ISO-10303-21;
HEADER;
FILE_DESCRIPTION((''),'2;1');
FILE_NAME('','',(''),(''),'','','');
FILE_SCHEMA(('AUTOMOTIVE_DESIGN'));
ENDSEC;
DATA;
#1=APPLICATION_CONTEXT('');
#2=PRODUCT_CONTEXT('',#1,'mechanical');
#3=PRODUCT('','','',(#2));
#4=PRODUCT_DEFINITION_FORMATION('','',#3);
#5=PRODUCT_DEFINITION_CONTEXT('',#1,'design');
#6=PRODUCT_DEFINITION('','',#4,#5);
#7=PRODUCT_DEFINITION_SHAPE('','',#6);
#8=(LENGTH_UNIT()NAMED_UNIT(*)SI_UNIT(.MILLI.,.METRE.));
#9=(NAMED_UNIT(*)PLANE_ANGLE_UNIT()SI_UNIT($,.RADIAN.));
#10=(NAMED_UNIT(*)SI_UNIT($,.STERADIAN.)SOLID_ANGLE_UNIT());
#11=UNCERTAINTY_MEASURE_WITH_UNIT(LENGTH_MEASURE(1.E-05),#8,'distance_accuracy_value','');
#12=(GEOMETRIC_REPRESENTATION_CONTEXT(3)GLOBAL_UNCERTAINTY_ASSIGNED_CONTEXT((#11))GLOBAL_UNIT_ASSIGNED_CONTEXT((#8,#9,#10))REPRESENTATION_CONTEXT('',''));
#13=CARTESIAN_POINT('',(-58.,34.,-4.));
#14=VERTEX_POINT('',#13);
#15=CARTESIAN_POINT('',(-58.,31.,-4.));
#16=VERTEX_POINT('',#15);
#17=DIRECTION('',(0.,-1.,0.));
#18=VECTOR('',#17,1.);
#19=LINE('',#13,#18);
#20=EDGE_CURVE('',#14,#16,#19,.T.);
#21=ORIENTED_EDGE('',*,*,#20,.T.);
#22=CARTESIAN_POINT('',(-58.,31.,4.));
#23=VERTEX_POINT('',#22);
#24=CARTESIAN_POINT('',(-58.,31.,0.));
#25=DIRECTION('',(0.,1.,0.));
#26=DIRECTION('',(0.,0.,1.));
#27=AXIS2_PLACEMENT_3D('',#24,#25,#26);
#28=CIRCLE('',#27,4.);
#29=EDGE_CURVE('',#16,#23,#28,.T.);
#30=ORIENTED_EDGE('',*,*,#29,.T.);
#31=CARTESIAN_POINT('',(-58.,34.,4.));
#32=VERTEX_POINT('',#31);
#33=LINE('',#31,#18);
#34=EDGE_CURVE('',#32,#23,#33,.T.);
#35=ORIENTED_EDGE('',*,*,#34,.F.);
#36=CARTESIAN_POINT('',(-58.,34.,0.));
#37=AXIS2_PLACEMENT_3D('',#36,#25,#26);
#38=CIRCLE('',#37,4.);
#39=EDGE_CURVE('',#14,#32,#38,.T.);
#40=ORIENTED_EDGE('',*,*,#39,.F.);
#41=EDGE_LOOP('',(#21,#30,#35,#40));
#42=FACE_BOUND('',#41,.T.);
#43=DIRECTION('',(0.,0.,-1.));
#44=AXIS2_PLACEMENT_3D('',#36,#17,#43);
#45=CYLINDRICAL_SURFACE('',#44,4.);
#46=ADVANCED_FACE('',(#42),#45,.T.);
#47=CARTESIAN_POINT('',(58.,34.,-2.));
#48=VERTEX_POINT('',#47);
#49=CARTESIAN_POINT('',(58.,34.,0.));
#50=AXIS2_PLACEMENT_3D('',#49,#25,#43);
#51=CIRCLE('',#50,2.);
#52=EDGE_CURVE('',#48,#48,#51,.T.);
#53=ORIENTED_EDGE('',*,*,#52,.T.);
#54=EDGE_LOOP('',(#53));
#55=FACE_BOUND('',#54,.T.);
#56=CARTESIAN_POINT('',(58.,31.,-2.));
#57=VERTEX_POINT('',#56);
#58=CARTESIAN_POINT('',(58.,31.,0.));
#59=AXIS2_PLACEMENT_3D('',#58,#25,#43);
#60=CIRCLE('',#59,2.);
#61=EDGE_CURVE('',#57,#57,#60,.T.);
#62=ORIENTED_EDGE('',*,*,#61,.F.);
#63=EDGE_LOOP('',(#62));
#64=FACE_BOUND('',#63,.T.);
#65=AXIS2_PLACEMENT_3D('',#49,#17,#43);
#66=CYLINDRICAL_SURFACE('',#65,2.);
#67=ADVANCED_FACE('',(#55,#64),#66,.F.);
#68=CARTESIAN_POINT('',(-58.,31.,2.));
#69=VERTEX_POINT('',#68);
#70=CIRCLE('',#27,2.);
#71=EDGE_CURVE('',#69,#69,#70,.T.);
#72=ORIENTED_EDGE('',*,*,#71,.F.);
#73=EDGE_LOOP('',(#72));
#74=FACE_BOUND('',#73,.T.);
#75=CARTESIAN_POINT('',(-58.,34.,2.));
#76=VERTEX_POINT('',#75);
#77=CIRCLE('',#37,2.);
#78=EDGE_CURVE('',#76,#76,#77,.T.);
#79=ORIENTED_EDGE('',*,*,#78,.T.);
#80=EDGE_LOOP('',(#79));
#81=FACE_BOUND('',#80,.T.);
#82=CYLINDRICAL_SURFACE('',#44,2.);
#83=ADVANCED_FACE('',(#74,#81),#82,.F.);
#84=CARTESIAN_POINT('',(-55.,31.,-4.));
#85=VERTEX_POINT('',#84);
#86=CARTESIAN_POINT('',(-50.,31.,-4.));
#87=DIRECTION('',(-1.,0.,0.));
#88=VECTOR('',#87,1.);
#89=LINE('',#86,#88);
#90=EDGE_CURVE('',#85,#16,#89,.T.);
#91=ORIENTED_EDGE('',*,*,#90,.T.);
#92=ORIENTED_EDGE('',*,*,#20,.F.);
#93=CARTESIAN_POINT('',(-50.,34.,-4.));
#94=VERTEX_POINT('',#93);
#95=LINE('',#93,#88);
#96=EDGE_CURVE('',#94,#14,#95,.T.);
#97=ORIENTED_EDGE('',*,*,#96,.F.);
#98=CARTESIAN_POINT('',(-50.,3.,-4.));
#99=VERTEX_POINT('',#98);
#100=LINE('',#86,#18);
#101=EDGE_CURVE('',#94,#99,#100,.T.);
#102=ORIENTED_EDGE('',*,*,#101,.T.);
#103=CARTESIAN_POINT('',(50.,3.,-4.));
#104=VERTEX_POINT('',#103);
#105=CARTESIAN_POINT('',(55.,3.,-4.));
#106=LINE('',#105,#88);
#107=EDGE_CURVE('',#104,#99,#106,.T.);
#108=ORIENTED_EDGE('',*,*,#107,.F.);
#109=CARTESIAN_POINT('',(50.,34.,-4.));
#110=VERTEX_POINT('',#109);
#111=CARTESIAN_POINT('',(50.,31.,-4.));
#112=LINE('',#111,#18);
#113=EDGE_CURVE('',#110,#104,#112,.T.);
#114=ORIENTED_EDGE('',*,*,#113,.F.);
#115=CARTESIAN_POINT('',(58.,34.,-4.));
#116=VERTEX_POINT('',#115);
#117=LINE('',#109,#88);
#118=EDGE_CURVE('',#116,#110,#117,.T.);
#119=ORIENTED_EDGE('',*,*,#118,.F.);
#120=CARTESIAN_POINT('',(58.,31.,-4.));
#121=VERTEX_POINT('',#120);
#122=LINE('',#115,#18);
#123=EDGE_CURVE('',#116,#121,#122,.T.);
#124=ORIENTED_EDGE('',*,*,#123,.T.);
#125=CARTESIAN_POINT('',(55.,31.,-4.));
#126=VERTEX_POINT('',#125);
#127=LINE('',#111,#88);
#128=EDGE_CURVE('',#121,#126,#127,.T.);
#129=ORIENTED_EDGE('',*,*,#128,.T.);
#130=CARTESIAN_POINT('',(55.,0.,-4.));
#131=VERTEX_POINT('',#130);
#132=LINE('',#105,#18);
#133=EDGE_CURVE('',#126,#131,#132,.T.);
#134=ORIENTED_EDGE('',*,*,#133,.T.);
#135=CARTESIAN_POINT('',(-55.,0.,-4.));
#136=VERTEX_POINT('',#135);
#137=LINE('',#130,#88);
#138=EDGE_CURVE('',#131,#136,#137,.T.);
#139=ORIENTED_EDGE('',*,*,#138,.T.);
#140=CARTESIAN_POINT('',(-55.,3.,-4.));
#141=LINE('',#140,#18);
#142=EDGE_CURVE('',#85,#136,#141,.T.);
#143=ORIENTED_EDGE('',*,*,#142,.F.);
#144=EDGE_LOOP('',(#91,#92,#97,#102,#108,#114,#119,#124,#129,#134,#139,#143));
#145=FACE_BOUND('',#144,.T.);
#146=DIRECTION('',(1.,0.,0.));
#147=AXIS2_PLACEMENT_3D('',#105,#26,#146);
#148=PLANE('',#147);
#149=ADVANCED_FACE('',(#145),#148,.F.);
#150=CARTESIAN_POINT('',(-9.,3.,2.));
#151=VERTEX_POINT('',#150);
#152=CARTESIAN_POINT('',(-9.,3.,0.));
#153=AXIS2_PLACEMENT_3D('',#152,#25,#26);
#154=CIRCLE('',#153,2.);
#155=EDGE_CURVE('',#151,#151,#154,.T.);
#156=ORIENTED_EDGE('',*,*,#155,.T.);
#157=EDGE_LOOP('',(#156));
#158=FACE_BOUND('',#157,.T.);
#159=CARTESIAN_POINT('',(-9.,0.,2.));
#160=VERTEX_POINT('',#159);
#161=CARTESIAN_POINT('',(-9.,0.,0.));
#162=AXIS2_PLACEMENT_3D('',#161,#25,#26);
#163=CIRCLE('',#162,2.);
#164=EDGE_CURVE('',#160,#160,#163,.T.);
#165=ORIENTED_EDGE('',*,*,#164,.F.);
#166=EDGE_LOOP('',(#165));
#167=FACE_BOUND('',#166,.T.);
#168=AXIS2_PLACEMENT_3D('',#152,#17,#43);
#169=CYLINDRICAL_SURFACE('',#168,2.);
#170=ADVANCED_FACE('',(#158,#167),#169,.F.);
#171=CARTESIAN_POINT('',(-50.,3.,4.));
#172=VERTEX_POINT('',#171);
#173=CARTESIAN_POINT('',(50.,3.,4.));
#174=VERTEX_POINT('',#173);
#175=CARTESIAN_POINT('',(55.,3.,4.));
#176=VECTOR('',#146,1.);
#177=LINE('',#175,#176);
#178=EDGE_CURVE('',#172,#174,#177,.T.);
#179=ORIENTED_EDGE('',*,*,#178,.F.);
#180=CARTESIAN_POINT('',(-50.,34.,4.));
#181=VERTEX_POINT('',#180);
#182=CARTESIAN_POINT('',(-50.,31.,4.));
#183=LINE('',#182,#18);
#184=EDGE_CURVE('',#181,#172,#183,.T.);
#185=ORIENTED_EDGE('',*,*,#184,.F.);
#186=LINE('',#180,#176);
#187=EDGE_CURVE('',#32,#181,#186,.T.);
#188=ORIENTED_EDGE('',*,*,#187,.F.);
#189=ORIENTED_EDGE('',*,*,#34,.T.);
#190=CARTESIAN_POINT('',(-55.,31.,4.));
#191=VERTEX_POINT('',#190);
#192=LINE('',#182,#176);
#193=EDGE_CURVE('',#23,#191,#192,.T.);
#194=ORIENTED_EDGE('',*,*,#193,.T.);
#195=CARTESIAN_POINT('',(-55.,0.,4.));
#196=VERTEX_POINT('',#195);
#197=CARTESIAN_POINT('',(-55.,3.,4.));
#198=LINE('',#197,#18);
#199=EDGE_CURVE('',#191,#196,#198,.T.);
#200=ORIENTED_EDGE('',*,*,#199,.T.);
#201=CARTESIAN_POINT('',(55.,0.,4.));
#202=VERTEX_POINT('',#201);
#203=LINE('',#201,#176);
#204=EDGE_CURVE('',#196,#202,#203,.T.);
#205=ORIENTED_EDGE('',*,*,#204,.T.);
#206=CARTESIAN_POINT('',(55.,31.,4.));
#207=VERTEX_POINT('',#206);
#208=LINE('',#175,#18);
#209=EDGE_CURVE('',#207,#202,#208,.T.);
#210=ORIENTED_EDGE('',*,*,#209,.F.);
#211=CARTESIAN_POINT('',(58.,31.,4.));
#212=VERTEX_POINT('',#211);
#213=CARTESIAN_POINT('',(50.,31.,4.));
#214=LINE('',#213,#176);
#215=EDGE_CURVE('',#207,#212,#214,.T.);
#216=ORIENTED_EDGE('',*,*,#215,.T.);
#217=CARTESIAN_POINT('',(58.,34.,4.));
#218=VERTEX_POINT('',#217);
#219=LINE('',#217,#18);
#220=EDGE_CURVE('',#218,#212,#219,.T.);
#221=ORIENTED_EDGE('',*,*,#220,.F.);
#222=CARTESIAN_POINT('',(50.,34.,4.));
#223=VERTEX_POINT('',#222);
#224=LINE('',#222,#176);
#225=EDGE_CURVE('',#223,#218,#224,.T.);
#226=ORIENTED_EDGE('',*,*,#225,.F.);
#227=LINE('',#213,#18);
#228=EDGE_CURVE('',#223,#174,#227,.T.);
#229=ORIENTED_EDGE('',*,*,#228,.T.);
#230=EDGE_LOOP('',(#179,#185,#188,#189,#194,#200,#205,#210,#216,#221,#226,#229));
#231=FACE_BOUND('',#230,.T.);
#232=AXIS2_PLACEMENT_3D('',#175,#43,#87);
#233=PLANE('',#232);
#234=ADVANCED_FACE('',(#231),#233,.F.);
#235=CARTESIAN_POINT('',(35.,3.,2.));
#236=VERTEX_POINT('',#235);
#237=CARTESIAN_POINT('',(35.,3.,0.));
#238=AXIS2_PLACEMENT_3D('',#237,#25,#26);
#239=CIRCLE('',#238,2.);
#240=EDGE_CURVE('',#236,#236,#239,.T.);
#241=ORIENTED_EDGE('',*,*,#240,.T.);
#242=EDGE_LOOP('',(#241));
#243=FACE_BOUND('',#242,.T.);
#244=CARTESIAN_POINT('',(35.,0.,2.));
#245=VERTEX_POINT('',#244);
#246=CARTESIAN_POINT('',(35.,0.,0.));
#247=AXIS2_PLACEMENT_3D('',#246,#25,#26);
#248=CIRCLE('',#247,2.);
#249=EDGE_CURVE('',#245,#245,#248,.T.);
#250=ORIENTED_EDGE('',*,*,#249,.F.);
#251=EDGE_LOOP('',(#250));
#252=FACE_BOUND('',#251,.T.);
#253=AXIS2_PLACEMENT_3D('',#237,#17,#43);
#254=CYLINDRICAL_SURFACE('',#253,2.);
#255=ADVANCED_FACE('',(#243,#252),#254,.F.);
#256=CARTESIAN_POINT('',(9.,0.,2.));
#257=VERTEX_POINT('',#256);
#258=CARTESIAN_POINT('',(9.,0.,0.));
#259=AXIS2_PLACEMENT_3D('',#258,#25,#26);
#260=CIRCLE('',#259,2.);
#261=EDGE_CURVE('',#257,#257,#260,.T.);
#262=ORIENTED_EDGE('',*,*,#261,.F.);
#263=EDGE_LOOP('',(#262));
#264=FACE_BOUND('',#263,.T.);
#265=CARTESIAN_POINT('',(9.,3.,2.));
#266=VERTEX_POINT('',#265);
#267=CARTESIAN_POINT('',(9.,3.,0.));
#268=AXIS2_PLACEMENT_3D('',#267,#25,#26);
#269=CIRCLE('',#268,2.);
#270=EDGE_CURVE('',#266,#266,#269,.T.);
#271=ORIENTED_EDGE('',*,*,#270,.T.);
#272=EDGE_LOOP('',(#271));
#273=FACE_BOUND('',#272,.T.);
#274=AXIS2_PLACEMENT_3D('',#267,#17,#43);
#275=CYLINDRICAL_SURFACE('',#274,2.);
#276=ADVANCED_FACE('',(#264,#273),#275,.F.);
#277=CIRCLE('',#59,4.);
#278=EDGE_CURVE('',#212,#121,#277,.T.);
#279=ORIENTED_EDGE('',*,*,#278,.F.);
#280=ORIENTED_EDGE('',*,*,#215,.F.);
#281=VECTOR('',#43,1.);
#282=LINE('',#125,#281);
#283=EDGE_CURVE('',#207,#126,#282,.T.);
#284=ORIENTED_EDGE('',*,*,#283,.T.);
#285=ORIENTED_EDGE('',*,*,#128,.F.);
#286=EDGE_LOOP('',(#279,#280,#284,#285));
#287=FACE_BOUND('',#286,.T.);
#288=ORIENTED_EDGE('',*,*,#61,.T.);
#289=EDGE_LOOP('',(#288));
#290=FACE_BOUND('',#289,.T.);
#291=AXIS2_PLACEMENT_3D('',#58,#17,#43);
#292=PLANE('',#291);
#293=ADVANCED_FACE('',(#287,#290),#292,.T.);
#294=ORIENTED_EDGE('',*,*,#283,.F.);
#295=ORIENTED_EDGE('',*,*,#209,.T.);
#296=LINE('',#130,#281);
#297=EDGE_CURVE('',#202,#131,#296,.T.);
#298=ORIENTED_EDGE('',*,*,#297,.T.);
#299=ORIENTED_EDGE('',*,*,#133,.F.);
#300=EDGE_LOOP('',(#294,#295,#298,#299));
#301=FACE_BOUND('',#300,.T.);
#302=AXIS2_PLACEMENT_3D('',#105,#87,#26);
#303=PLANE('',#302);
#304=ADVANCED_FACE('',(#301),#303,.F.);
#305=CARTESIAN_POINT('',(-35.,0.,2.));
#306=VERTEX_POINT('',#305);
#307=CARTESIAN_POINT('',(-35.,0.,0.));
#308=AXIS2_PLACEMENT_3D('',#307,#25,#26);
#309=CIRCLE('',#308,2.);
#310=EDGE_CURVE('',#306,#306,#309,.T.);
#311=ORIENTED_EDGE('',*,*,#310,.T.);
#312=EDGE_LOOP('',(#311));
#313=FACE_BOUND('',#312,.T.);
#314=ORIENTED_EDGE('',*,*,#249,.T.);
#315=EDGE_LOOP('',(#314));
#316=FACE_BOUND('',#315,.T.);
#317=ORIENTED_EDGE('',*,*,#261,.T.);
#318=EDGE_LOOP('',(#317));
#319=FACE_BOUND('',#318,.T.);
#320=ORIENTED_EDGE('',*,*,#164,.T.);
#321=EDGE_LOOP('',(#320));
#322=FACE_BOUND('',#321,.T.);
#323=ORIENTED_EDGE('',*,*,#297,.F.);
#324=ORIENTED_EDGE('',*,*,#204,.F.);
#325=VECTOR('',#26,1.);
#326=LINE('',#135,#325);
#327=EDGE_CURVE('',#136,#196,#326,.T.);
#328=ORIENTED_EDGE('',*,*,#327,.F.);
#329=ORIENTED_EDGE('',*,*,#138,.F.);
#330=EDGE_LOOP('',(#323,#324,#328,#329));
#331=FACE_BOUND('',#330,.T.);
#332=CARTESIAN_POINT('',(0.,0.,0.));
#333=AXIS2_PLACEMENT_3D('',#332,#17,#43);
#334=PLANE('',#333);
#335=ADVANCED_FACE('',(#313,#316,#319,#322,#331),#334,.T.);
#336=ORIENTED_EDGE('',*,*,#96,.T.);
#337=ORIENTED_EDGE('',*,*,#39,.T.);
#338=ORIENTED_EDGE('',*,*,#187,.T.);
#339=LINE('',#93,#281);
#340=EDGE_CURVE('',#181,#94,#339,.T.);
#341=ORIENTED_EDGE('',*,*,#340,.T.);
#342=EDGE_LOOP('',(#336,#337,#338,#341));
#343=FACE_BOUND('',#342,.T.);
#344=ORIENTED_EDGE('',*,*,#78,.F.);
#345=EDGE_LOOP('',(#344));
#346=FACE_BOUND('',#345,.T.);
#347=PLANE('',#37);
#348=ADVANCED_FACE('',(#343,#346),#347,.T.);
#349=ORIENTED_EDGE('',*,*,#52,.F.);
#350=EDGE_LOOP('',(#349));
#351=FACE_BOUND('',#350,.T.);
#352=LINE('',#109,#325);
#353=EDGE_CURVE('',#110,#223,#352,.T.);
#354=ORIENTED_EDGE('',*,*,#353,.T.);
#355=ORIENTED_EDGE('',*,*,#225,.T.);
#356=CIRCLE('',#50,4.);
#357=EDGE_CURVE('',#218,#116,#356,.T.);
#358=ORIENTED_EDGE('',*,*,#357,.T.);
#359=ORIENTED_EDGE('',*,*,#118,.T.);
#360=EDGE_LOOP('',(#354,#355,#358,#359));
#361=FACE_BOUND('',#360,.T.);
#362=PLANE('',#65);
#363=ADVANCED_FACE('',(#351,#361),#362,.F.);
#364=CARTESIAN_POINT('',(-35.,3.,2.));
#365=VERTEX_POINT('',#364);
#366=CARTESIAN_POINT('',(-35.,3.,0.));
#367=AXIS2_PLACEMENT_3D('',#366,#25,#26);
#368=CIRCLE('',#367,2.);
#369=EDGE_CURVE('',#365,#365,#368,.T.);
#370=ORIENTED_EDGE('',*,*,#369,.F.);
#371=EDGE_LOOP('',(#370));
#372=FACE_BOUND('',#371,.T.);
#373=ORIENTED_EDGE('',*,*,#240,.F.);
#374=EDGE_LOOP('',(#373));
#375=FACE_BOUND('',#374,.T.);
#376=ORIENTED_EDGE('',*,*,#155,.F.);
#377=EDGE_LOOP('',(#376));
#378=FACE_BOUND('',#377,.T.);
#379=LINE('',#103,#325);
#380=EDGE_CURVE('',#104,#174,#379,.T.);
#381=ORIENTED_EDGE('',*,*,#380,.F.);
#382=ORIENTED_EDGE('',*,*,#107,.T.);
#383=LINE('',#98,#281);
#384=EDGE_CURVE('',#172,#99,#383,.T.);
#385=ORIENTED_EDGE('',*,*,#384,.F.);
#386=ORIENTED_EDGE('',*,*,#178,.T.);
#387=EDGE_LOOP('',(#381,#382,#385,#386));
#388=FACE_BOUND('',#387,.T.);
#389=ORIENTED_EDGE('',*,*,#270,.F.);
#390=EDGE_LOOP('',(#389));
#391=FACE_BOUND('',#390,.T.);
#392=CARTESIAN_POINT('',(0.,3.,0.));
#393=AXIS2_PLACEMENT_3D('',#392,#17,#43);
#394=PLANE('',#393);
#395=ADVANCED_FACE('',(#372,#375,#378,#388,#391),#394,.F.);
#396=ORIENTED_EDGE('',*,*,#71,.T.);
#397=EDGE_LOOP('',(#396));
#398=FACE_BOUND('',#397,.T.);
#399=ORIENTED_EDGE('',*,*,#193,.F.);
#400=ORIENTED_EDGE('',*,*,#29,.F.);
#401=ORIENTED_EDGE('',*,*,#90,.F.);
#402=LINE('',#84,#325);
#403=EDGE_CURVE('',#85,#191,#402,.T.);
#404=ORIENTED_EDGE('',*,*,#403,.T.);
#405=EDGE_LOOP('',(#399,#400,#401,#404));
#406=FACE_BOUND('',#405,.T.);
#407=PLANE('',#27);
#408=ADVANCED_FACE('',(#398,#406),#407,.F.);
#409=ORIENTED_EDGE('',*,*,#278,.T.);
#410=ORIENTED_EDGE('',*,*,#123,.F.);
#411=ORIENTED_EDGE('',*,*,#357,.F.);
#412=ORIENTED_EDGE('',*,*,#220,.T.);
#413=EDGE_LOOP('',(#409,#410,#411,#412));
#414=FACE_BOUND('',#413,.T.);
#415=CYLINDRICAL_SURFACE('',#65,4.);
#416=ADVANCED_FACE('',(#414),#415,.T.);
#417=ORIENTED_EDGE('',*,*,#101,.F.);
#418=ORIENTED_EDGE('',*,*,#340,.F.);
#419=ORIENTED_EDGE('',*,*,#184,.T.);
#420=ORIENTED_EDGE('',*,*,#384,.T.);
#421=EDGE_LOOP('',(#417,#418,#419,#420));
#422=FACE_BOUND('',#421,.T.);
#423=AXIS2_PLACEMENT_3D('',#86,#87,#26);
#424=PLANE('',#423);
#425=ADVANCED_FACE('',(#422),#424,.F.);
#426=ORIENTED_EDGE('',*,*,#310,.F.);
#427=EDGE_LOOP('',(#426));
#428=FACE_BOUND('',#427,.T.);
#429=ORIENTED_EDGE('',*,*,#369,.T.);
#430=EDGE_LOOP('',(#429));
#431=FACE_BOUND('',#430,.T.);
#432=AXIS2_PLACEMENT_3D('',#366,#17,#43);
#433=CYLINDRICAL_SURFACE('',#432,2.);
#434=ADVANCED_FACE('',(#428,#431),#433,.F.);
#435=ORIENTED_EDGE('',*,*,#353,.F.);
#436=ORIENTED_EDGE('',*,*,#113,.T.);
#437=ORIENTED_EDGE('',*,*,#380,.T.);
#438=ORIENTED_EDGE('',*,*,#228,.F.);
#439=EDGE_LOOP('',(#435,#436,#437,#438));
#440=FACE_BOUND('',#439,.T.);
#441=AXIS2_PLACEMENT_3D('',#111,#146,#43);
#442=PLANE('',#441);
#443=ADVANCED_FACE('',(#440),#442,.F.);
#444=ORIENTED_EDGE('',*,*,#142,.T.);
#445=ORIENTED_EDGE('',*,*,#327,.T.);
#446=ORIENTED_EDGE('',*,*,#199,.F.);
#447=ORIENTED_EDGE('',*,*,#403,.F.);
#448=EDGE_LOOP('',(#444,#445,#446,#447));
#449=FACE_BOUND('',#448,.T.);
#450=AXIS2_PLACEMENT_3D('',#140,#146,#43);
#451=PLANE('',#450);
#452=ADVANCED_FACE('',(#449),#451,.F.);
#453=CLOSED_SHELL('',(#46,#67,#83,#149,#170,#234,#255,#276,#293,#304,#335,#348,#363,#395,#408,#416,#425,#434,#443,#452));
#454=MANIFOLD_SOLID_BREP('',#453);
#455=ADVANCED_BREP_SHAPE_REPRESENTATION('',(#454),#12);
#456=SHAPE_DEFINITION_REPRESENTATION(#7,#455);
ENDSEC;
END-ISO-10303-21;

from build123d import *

# Parameters (mm, degrees)
SKETCH1_W           = 110
SKETCH1_H           = 8
SKETCH1_R           = 2
BOSS_EXTRUDE1_DEPTH = 3
SKETCH2_W           = 5
SKETCH2_H           = 8
BOSS_EXTRUDE2_DEPTH = 28
SKETCH3_R           = 2
BOSS_EXTRUDE3_DEPTH = 3


with BuildPart() as part:
    # Sketch1 → Boss-Extrude1 (new body)
    with BuildSketch(Plane(origin=(0, 0, 0), x_dir=(1, 0, 0), z_dir=(0, 1, 0))):
        Rectangle(SKETCH1_W, SKETCH1_H)
        with Locations(Location((-35, 0, 0), (0, 0, 270))):
            Circle(SKETCH1_R, mode=Mode.SUBTRACT)
        with Locations(Location((35, 0, 0), (0, 0, 270))):
            Circle(SKETCH1_R, mode=Mode.SUBTRACT)
        with Locations(Location((-9, 0, 0), (0, 0, 270))):
            Circle(SKETCH1_R, mode=Mode.SUBTRACT)
        with Locations(Location((9, 0, 0), (0, 0, 270))):
            Circle(SKETCH1_R, mode=Mode.SUBTRACT)
    extrude(amount=BOSS_EXTRUDE1_DEPTH)

    # Sketch2 → Boss-Extrude2 (add)
    with BuildSketch(Plane(origin=(0, 3, 0), x_dir=(1, 0, 0), z_dir=(0, 1, 0))):
        with Locations((-52.5, 0)):
            Rectangle(SKETCH2_W, SKETCH2_H)
        with Locations((52.5, 0)):
            Rectangle(SKETCH2_W, SKETCH2_H)
    extrude(amount=BOSS_EXTRUDE2_DEPTH)

    # Sketch3 → Boss-Extrude3 (add)
    # profile 1 of 2: a face of its own
    with BuildSketch(Plane(origin=(0, 31, 0), x_dir=(1, 0, 0), z_dir=(0, 1, 0))):
        with BuildLine():
            Line((-50, 4), (-58, 4))
            ThreePointArc((-58, 4), (-62, 0), (-58, -4))
            Line((-58, -4), (-50, -4))
            Line((-50, -4), (-50, 4))
        make_face()
        with Locations(Location((-58, 0, 0), (0, 0, 270))):
            Circle(SKETCH3_R, mode=Mode.SUBTRACT)
    # profile 2 of 2: a face of its own
    with BuildSketch(Plane(origin=(0, 31, 0), x_dir=(1, 0, 0), z_dir=(0, 1, 0))):
        with BuildLine():
            Line((50, 4), (58, 4))
            ThreePointArc((58, 4), (62, 0), (58, -4))
            Line((58, -4), (50, -4))
            Line((50, -4), (50, 4))
        make_face()
        with Locations(Location((58, 0, 0), (0, 0, 90))):
            Circle(SKETCH3_R, mode=Mode.SUBTRACT)
    extrude(amount=BOSS_EXTRUDE3_DEPTH)


solid = part.part
